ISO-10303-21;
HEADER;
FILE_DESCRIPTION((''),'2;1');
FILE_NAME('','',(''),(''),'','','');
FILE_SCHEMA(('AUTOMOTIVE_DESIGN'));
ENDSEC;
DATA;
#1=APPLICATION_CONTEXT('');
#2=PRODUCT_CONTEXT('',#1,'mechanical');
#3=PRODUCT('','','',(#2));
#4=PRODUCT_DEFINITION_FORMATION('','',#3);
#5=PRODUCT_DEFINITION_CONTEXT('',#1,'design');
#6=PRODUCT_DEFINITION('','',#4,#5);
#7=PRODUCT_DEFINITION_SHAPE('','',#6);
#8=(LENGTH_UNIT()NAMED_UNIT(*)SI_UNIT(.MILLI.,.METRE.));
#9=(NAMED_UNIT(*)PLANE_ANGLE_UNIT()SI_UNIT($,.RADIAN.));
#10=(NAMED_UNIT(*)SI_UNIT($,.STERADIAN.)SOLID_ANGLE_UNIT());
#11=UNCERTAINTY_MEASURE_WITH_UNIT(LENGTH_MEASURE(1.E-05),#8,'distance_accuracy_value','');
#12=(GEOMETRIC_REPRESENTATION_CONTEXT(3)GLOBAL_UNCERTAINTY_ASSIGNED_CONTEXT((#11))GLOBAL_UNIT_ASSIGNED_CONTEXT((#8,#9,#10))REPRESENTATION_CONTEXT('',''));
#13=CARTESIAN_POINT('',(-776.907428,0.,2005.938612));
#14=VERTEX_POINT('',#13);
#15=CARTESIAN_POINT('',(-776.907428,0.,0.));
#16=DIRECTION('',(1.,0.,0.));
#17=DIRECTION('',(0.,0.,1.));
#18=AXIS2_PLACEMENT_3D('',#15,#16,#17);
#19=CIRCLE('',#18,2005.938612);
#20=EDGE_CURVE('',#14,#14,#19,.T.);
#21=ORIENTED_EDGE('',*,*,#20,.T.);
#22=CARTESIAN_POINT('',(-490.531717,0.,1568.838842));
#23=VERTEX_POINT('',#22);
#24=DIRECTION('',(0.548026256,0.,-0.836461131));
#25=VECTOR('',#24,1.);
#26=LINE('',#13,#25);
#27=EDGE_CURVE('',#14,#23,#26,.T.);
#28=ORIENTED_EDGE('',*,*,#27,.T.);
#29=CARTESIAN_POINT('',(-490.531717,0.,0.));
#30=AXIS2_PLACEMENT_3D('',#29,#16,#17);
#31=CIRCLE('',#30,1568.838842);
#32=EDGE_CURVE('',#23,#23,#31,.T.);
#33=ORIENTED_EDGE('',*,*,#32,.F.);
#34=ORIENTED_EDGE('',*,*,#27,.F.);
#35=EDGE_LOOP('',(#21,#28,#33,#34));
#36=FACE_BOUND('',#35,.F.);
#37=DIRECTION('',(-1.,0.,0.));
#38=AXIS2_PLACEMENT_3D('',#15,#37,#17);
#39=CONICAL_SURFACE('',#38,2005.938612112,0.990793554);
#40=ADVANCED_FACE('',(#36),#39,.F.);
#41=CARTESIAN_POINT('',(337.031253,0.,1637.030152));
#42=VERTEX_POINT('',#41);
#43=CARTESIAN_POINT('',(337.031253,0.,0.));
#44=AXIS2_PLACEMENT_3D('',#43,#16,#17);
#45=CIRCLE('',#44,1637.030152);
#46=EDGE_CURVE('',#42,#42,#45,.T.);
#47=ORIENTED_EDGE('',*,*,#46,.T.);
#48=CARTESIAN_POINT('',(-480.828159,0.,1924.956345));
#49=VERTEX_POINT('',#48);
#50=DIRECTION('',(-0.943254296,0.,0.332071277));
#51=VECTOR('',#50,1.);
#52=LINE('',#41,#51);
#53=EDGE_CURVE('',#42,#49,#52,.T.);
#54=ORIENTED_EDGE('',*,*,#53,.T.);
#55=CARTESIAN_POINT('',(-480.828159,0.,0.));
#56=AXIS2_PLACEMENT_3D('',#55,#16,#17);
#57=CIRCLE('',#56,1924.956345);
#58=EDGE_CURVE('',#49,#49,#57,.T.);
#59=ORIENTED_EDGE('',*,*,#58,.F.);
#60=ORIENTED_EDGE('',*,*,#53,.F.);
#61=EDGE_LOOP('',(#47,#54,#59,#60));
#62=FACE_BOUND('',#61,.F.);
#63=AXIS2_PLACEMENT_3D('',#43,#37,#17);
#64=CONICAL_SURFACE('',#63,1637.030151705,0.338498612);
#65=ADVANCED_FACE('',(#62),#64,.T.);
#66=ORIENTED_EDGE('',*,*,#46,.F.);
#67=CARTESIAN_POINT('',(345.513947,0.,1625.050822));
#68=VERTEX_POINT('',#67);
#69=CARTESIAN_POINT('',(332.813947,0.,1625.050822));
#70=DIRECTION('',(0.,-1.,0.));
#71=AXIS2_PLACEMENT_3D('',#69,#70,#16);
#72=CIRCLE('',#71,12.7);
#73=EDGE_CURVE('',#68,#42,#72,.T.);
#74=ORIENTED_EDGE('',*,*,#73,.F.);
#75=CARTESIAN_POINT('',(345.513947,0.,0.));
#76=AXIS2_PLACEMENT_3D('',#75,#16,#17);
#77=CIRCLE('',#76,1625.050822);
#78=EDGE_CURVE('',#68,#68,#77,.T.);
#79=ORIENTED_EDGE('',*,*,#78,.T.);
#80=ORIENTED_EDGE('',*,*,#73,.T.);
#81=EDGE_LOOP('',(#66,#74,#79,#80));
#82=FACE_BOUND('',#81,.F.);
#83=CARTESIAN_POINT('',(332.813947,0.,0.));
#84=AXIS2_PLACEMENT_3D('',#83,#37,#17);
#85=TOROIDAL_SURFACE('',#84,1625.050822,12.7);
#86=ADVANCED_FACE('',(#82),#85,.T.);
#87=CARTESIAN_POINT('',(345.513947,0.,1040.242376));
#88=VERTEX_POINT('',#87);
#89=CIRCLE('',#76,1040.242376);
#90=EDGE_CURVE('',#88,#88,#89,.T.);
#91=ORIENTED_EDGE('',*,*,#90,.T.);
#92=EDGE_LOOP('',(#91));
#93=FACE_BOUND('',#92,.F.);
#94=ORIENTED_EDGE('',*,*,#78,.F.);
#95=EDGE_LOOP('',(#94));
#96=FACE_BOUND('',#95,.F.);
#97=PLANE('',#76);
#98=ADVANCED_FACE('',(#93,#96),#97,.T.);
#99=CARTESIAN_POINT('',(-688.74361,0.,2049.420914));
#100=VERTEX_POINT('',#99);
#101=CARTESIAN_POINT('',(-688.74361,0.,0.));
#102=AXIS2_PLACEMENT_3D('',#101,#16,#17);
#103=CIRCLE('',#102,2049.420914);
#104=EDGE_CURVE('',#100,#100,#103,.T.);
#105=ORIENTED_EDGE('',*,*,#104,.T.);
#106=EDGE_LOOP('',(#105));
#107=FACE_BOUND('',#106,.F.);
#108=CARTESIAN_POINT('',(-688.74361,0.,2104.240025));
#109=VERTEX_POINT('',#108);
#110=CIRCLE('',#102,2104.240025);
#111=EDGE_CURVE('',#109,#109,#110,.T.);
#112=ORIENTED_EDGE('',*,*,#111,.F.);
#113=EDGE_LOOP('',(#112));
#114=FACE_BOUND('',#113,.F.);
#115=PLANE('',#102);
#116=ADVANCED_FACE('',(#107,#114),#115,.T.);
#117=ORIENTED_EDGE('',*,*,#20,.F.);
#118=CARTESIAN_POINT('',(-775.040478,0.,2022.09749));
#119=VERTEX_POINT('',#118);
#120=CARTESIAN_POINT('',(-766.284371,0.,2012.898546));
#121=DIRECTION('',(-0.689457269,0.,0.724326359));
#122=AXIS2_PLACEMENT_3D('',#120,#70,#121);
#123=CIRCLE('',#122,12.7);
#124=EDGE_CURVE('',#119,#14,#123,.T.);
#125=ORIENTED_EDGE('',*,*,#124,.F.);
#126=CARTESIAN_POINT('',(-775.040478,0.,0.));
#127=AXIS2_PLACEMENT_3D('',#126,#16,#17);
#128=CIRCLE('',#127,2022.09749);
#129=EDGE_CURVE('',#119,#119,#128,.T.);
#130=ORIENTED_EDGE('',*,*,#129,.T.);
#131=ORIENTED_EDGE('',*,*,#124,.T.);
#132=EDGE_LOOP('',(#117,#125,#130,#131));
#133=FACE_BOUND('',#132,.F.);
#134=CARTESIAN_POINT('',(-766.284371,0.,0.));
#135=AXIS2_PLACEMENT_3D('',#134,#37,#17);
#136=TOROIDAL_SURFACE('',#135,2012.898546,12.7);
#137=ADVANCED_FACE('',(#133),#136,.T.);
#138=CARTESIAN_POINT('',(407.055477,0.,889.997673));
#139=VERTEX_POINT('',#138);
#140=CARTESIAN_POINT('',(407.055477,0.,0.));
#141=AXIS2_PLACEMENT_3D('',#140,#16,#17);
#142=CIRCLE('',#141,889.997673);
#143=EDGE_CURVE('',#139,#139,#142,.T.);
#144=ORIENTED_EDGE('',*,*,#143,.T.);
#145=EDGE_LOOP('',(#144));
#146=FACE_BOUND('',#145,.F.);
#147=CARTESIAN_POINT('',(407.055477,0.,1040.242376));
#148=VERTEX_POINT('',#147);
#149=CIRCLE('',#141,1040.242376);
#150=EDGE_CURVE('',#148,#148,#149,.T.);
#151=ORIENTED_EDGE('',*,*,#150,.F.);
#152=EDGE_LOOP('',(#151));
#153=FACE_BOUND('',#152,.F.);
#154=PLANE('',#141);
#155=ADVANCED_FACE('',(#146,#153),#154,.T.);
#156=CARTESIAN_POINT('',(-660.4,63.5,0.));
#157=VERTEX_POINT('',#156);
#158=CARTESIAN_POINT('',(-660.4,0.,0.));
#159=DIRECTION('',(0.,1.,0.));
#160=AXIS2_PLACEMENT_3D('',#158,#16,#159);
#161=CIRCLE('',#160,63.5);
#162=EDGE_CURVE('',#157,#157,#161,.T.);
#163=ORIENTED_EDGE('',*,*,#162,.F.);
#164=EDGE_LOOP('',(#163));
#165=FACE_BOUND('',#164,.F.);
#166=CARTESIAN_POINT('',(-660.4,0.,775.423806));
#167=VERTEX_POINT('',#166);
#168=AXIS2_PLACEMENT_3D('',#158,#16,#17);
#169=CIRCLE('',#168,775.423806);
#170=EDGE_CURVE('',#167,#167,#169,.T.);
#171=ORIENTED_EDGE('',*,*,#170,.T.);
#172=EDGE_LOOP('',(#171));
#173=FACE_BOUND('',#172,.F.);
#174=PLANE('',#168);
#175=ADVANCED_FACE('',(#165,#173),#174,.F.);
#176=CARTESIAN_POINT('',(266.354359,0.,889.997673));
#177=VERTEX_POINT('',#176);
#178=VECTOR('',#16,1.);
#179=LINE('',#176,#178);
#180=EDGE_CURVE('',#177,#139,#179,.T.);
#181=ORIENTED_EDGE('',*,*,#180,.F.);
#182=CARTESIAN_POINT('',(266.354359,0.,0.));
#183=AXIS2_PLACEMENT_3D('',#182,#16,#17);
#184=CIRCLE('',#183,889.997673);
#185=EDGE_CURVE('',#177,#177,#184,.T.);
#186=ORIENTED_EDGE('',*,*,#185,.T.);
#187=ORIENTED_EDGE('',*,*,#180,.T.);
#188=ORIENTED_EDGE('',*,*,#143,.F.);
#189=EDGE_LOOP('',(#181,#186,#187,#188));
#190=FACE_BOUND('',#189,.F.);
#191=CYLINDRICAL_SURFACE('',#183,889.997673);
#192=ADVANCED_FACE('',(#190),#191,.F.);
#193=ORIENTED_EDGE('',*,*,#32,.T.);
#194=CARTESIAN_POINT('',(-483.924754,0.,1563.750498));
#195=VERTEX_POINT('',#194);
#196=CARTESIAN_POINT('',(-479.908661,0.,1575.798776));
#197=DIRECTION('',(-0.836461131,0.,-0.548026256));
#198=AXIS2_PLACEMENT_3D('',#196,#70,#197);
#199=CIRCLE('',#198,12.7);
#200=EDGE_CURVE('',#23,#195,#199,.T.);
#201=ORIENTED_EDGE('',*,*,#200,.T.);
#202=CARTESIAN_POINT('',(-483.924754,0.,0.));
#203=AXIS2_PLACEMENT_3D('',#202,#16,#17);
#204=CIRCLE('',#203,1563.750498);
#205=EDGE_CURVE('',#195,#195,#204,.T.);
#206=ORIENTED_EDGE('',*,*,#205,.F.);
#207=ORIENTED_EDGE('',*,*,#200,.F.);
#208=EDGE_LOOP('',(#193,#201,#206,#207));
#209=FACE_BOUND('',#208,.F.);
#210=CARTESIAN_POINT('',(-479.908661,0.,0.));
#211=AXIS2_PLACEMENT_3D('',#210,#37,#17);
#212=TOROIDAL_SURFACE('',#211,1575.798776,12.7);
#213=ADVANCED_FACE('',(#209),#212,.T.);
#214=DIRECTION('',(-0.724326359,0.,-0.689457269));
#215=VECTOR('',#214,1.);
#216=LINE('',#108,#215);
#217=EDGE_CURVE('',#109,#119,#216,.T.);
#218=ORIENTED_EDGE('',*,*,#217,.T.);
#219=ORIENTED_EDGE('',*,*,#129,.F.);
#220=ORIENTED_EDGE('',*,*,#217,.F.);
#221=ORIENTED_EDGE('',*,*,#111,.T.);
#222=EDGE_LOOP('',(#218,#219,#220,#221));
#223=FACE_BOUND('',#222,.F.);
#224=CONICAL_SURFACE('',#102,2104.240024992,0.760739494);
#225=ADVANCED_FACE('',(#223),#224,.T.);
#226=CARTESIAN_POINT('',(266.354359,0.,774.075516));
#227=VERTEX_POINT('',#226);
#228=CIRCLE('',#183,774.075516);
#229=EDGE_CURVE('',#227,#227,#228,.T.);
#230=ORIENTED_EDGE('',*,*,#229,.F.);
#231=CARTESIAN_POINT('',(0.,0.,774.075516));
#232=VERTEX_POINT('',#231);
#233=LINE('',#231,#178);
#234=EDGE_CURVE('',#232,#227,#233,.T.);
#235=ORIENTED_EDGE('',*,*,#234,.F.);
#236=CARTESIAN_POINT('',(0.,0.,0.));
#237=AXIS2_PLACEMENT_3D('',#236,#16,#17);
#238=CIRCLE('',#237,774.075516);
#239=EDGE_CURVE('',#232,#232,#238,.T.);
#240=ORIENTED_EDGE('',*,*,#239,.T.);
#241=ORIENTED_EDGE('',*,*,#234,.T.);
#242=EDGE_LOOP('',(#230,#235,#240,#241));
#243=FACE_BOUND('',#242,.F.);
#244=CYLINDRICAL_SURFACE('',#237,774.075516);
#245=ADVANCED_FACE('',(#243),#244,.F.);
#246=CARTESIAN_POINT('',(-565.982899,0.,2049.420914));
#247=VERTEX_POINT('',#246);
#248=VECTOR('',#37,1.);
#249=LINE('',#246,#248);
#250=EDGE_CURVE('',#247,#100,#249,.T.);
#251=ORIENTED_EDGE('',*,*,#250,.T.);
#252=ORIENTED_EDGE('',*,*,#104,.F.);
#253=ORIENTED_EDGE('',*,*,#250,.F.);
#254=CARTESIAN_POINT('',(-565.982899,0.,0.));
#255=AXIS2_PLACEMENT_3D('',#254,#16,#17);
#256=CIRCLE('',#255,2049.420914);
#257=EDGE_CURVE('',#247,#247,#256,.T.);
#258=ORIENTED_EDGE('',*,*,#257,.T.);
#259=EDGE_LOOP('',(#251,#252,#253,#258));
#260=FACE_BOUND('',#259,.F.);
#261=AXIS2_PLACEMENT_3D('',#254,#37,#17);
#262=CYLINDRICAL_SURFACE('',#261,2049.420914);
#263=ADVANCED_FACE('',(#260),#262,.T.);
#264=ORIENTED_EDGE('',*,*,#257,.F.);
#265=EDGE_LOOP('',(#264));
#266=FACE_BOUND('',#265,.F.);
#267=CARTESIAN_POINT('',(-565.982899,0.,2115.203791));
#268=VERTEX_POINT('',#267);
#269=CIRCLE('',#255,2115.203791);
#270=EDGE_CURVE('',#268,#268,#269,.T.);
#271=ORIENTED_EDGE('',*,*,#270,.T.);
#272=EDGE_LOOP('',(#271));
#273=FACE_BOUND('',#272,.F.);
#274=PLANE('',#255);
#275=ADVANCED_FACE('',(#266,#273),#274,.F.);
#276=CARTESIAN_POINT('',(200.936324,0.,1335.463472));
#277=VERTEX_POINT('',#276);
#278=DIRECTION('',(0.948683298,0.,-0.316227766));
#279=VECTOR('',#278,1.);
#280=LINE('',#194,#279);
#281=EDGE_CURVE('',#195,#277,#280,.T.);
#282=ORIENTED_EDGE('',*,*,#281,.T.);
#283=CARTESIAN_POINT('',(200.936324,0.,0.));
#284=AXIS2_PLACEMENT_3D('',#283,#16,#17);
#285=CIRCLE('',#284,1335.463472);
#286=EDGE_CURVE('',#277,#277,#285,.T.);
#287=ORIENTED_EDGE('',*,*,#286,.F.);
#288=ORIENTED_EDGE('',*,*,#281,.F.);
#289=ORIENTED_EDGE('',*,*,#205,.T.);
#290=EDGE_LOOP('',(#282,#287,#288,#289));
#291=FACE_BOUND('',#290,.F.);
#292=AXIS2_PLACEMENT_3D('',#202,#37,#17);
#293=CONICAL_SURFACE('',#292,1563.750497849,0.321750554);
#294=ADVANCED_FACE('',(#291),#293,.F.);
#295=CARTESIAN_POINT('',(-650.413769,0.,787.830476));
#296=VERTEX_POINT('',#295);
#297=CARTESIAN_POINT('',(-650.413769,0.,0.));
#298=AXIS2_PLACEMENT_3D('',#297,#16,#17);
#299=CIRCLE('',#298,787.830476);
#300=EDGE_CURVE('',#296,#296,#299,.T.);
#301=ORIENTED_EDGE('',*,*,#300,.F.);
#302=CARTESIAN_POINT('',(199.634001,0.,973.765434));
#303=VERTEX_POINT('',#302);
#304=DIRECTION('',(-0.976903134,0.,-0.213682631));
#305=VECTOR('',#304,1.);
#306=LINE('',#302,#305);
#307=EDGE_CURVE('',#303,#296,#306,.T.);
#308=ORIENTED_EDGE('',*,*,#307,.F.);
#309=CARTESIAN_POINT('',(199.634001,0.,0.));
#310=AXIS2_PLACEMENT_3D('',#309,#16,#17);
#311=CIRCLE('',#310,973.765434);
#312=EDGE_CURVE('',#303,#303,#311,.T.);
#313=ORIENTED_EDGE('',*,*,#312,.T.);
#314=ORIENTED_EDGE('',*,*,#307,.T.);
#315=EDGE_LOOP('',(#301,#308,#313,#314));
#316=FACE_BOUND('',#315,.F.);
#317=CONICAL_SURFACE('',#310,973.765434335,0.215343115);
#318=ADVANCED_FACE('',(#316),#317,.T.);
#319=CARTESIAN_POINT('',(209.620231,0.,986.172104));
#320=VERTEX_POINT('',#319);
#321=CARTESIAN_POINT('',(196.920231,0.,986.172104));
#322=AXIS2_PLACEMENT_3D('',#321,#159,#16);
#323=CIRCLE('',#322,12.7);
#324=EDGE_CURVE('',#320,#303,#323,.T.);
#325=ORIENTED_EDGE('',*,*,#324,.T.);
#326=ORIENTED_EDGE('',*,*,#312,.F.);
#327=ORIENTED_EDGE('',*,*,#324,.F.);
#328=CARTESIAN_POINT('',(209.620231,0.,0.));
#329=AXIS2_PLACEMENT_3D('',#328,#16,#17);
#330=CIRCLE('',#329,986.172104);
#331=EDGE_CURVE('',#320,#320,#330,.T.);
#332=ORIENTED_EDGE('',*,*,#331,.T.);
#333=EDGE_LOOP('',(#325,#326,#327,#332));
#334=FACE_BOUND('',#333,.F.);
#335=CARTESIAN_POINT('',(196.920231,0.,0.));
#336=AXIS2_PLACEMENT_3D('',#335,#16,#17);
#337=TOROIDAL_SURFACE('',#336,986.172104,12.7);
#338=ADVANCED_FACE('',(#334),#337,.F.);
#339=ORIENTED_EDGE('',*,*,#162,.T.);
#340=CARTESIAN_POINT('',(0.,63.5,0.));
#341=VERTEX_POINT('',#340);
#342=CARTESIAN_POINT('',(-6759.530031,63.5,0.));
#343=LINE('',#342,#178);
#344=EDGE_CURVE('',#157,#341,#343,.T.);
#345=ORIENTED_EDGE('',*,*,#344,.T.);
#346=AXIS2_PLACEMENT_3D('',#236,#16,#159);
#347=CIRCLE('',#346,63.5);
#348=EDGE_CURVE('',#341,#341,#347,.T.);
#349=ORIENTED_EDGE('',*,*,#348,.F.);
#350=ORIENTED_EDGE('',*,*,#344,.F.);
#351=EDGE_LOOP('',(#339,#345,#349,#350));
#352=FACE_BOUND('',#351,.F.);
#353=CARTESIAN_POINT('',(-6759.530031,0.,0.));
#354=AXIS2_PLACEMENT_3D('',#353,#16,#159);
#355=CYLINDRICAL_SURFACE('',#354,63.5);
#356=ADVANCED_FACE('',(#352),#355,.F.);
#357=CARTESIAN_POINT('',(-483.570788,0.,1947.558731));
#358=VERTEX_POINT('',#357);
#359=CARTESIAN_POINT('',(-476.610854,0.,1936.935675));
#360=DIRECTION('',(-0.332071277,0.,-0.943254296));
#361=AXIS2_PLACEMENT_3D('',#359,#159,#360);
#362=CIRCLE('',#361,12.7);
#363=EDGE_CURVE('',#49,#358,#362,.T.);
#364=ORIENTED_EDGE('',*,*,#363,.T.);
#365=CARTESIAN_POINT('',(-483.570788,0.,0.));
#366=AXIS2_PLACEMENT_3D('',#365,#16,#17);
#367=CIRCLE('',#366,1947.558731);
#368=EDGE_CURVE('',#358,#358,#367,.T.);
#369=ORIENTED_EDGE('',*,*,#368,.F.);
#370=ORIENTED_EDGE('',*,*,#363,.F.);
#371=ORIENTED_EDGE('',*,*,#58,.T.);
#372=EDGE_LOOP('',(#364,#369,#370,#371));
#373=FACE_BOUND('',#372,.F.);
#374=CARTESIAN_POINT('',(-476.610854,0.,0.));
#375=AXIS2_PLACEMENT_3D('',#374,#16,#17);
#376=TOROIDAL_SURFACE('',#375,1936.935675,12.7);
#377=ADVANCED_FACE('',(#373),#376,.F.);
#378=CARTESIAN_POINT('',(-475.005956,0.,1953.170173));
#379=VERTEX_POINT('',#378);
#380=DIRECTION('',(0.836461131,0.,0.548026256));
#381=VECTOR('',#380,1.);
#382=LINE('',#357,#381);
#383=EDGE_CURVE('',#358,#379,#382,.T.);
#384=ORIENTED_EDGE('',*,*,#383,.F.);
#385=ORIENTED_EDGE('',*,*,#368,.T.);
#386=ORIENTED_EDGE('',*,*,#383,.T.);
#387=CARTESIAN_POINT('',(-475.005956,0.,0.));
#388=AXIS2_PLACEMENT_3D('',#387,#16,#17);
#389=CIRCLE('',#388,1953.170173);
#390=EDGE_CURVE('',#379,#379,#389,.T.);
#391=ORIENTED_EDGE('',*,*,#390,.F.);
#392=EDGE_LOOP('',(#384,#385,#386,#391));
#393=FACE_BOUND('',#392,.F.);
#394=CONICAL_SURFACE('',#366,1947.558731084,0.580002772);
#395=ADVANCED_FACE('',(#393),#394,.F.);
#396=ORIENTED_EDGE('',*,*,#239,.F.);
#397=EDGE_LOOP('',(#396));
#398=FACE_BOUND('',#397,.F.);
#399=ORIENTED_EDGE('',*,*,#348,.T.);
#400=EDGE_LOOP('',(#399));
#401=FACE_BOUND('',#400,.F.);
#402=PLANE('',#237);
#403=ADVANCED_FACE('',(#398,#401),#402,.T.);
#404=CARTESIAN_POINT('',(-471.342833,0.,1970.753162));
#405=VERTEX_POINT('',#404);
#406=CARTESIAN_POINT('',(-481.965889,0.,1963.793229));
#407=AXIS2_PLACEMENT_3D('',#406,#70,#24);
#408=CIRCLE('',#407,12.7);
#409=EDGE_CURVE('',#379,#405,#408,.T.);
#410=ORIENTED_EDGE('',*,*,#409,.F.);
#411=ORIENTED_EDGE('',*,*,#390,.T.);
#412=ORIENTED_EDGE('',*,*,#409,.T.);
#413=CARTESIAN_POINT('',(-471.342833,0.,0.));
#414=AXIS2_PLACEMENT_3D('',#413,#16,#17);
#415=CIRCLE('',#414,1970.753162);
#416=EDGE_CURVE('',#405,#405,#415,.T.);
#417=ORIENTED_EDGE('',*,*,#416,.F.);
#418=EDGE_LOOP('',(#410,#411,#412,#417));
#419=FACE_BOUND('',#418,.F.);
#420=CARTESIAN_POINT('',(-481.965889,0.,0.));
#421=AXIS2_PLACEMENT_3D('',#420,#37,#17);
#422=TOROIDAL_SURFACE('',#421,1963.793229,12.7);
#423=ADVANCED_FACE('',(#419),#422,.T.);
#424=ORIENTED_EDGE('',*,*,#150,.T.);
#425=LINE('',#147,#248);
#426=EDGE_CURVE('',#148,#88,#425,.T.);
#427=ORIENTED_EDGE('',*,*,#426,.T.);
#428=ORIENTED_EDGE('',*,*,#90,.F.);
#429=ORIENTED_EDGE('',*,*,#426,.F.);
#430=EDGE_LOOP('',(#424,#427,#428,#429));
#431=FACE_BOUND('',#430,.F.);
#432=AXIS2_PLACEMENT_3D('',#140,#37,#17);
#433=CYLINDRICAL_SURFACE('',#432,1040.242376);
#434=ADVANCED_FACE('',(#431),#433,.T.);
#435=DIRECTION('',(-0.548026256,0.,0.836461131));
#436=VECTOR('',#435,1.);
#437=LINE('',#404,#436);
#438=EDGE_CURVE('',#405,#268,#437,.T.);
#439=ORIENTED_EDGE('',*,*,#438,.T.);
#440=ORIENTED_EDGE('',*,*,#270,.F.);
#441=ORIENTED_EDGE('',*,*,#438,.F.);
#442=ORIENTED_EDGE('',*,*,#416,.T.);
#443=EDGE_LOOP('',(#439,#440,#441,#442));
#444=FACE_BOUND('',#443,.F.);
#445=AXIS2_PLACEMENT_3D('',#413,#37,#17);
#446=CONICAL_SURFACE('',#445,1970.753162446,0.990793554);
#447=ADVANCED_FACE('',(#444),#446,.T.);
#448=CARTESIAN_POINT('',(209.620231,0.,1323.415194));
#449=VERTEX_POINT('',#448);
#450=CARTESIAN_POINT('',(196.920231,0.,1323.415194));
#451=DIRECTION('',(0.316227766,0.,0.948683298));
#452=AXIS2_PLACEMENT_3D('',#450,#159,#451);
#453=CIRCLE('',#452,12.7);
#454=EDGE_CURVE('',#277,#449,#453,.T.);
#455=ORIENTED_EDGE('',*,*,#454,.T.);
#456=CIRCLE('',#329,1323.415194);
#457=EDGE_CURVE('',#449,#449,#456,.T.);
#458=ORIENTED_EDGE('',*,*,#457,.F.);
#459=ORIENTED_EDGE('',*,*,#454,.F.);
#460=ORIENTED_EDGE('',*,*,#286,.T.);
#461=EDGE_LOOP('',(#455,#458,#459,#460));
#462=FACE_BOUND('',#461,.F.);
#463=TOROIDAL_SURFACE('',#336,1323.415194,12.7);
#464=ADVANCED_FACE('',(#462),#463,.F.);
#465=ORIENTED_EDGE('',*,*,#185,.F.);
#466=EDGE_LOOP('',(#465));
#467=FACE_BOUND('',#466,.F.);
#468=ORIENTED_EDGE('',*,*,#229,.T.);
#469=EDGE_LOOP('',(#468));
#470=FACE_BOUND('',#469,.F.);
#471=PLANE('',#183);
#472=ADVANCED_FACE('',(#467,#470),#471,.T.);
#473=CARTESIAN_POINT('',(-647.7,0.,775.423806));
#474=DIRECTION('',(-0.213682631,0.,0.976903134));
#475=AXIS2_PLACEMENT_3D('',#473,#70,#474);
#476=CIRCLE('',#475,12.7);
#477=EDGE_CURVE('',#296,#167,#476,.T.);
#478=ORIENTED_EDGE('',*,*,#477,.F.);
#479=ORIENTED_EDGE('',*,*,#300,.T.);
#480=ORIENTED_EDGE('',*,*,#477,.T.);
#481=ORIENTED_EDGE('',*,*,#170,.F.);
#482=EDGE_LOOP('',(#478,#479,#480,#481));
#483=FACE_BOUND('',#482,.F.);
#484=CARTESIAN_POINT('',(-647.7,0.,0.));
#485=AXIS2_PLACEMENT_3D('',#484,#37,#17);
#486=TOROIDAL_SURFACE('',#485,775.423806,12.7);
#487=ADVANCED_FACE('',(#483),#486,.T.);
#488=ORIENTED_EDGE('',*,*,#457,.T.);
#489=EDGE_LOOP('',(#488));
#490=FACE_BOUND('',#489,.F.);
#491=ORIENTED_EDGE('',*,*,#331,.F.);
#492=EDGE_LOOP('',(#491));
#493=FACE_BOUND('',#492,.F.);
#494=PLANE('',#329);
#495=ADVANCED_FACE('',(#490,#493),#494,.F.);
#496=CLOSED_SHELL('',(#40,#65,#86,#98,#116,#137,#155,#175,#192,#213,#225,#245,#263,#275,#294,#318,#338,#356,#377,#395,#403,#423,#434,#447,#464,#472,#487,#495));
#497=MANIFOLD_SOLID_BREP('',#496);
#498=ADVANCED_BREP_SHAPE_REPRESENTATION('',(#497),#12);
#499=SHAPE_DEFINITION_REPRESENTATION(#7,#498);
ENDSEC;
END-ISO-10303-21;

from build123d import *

# Parameters (mm, degrees)
F3_D = 127


with BuildPart() as f1:
    # F0 (on Front) → F1 (revolve)
    with BuildSketch(Plane.XZ):
        with BuildLine():
            Line((-660.4, 775.4238060953), (-660.4, 0))
            Line((-660.4, 0), (0, 0))
            Line((0, 0), (0, 774.0755159906))
            Line((0, 774.0755159906), (266.3543589171, 774.0755159906))
            Line((266.3543589171, 774.0755159906), (266.3543589171, 889.99767279))
            Line((266.3543589171, 889.99767279), (407.0554769, 889.99767279))
            Line((407.0554769, 889.99767279), (407.0554769, 1040.2423758982))
            Line((407.0554769, 1040.2423758982), (345.5139473552, 1040.2423758982))
            Line((345.5139473552, 1040.2423758982), (345.5139473552, 1625.0508221433))
            ThreePointArc((345.5139473552, 1625.0508221433), (343.1785451812, 1632.3901076606), (337.0312525671, 1637.030151705))
            Line((337.0312525671, 1637.030151705), (-480.828159441, 1924.9563451634))
            ThreePointArc((-480.828159441, 1924.9563451634), (-489.2183769175, 1935.405847395), (-483.5707876769, 1947.558731084))
            Line((-483.5707876769, 1947.558731084), (-475.0059557936, 1953.1701726396))
            ThreePointArc((-475.0059557936, 1953.1701726396), (-469.5328379156, 1961.2030099477), (-471.3428328826, 1970.7531624462))
            Line((-471.3428328826, 1970.7531624462), (-565.9828994348, 2115.2037909361))
            Line((-565.9828994348, 2115.2037909361), (-565.9828994348, 2049.4209139973))
            Line((-565.9828994348, 2049.4209139973), (-688.7436101856, 2049.4209139973))
            Line((-688.7436101856, 2049.4209139973), (-688.7436101856, 2104.2400249919))
            Line((-688.7436101856, 2104.2400249919), (-775.0404784566, 2022.0974903231))
            ThreePointArc((-775.0404784566, 2022.0974903231), (-778.9004455113, 2014.3561695182), (-776.9074275047, 2005.9386121117))
            Line((-776.9074275047, 2005.9386121117), (-490.5317174186, 1568.8388422868))
            ThreePointArc((-490.5317174186, 1568.8388422868), (-487.6577889492, 1565.7369162169), (-483.9247536883, 1563.7504978494))
            Line((-483.9247536883, 1563.7504978494), (200.9363237793, 1335.4634720269))
            ThreePointArc((200.9363237793, 1335.4634720269), (207.2230069026, 1330.8410147568), (209.6202311509, 1323.4151941416))
            Line((209.6202311509, 1323.4151941416), (209.6202311509, 986.1721041382))
            ThreePointArc((209.6202311509, 986.1721041382), (206.8135337211, 978.2089035094), (199.6340005596, 973.7654343353))
            Line((199.6340005596, 973.7654343353), (-650.4137694088, 787.8304758981))
            ThreePointArc((-650.4137694088, 787.8304758981), (-657.5933025702, 783.3870067241), (-660.4, 775.4238060953))
        make_face()
    revolve(axis=Axis((-330.2, 0, 0), (1, 0, 0)))

    # F3 (through all)
    with Locations(Plane(origin=(-660.4, 0, 0), x_dir=(0, -1, 0), z_dir=(-1, 0, 0))):
        with Locations((0, 0)):
            Hole(F3_D / 2)


solid = f1.part
